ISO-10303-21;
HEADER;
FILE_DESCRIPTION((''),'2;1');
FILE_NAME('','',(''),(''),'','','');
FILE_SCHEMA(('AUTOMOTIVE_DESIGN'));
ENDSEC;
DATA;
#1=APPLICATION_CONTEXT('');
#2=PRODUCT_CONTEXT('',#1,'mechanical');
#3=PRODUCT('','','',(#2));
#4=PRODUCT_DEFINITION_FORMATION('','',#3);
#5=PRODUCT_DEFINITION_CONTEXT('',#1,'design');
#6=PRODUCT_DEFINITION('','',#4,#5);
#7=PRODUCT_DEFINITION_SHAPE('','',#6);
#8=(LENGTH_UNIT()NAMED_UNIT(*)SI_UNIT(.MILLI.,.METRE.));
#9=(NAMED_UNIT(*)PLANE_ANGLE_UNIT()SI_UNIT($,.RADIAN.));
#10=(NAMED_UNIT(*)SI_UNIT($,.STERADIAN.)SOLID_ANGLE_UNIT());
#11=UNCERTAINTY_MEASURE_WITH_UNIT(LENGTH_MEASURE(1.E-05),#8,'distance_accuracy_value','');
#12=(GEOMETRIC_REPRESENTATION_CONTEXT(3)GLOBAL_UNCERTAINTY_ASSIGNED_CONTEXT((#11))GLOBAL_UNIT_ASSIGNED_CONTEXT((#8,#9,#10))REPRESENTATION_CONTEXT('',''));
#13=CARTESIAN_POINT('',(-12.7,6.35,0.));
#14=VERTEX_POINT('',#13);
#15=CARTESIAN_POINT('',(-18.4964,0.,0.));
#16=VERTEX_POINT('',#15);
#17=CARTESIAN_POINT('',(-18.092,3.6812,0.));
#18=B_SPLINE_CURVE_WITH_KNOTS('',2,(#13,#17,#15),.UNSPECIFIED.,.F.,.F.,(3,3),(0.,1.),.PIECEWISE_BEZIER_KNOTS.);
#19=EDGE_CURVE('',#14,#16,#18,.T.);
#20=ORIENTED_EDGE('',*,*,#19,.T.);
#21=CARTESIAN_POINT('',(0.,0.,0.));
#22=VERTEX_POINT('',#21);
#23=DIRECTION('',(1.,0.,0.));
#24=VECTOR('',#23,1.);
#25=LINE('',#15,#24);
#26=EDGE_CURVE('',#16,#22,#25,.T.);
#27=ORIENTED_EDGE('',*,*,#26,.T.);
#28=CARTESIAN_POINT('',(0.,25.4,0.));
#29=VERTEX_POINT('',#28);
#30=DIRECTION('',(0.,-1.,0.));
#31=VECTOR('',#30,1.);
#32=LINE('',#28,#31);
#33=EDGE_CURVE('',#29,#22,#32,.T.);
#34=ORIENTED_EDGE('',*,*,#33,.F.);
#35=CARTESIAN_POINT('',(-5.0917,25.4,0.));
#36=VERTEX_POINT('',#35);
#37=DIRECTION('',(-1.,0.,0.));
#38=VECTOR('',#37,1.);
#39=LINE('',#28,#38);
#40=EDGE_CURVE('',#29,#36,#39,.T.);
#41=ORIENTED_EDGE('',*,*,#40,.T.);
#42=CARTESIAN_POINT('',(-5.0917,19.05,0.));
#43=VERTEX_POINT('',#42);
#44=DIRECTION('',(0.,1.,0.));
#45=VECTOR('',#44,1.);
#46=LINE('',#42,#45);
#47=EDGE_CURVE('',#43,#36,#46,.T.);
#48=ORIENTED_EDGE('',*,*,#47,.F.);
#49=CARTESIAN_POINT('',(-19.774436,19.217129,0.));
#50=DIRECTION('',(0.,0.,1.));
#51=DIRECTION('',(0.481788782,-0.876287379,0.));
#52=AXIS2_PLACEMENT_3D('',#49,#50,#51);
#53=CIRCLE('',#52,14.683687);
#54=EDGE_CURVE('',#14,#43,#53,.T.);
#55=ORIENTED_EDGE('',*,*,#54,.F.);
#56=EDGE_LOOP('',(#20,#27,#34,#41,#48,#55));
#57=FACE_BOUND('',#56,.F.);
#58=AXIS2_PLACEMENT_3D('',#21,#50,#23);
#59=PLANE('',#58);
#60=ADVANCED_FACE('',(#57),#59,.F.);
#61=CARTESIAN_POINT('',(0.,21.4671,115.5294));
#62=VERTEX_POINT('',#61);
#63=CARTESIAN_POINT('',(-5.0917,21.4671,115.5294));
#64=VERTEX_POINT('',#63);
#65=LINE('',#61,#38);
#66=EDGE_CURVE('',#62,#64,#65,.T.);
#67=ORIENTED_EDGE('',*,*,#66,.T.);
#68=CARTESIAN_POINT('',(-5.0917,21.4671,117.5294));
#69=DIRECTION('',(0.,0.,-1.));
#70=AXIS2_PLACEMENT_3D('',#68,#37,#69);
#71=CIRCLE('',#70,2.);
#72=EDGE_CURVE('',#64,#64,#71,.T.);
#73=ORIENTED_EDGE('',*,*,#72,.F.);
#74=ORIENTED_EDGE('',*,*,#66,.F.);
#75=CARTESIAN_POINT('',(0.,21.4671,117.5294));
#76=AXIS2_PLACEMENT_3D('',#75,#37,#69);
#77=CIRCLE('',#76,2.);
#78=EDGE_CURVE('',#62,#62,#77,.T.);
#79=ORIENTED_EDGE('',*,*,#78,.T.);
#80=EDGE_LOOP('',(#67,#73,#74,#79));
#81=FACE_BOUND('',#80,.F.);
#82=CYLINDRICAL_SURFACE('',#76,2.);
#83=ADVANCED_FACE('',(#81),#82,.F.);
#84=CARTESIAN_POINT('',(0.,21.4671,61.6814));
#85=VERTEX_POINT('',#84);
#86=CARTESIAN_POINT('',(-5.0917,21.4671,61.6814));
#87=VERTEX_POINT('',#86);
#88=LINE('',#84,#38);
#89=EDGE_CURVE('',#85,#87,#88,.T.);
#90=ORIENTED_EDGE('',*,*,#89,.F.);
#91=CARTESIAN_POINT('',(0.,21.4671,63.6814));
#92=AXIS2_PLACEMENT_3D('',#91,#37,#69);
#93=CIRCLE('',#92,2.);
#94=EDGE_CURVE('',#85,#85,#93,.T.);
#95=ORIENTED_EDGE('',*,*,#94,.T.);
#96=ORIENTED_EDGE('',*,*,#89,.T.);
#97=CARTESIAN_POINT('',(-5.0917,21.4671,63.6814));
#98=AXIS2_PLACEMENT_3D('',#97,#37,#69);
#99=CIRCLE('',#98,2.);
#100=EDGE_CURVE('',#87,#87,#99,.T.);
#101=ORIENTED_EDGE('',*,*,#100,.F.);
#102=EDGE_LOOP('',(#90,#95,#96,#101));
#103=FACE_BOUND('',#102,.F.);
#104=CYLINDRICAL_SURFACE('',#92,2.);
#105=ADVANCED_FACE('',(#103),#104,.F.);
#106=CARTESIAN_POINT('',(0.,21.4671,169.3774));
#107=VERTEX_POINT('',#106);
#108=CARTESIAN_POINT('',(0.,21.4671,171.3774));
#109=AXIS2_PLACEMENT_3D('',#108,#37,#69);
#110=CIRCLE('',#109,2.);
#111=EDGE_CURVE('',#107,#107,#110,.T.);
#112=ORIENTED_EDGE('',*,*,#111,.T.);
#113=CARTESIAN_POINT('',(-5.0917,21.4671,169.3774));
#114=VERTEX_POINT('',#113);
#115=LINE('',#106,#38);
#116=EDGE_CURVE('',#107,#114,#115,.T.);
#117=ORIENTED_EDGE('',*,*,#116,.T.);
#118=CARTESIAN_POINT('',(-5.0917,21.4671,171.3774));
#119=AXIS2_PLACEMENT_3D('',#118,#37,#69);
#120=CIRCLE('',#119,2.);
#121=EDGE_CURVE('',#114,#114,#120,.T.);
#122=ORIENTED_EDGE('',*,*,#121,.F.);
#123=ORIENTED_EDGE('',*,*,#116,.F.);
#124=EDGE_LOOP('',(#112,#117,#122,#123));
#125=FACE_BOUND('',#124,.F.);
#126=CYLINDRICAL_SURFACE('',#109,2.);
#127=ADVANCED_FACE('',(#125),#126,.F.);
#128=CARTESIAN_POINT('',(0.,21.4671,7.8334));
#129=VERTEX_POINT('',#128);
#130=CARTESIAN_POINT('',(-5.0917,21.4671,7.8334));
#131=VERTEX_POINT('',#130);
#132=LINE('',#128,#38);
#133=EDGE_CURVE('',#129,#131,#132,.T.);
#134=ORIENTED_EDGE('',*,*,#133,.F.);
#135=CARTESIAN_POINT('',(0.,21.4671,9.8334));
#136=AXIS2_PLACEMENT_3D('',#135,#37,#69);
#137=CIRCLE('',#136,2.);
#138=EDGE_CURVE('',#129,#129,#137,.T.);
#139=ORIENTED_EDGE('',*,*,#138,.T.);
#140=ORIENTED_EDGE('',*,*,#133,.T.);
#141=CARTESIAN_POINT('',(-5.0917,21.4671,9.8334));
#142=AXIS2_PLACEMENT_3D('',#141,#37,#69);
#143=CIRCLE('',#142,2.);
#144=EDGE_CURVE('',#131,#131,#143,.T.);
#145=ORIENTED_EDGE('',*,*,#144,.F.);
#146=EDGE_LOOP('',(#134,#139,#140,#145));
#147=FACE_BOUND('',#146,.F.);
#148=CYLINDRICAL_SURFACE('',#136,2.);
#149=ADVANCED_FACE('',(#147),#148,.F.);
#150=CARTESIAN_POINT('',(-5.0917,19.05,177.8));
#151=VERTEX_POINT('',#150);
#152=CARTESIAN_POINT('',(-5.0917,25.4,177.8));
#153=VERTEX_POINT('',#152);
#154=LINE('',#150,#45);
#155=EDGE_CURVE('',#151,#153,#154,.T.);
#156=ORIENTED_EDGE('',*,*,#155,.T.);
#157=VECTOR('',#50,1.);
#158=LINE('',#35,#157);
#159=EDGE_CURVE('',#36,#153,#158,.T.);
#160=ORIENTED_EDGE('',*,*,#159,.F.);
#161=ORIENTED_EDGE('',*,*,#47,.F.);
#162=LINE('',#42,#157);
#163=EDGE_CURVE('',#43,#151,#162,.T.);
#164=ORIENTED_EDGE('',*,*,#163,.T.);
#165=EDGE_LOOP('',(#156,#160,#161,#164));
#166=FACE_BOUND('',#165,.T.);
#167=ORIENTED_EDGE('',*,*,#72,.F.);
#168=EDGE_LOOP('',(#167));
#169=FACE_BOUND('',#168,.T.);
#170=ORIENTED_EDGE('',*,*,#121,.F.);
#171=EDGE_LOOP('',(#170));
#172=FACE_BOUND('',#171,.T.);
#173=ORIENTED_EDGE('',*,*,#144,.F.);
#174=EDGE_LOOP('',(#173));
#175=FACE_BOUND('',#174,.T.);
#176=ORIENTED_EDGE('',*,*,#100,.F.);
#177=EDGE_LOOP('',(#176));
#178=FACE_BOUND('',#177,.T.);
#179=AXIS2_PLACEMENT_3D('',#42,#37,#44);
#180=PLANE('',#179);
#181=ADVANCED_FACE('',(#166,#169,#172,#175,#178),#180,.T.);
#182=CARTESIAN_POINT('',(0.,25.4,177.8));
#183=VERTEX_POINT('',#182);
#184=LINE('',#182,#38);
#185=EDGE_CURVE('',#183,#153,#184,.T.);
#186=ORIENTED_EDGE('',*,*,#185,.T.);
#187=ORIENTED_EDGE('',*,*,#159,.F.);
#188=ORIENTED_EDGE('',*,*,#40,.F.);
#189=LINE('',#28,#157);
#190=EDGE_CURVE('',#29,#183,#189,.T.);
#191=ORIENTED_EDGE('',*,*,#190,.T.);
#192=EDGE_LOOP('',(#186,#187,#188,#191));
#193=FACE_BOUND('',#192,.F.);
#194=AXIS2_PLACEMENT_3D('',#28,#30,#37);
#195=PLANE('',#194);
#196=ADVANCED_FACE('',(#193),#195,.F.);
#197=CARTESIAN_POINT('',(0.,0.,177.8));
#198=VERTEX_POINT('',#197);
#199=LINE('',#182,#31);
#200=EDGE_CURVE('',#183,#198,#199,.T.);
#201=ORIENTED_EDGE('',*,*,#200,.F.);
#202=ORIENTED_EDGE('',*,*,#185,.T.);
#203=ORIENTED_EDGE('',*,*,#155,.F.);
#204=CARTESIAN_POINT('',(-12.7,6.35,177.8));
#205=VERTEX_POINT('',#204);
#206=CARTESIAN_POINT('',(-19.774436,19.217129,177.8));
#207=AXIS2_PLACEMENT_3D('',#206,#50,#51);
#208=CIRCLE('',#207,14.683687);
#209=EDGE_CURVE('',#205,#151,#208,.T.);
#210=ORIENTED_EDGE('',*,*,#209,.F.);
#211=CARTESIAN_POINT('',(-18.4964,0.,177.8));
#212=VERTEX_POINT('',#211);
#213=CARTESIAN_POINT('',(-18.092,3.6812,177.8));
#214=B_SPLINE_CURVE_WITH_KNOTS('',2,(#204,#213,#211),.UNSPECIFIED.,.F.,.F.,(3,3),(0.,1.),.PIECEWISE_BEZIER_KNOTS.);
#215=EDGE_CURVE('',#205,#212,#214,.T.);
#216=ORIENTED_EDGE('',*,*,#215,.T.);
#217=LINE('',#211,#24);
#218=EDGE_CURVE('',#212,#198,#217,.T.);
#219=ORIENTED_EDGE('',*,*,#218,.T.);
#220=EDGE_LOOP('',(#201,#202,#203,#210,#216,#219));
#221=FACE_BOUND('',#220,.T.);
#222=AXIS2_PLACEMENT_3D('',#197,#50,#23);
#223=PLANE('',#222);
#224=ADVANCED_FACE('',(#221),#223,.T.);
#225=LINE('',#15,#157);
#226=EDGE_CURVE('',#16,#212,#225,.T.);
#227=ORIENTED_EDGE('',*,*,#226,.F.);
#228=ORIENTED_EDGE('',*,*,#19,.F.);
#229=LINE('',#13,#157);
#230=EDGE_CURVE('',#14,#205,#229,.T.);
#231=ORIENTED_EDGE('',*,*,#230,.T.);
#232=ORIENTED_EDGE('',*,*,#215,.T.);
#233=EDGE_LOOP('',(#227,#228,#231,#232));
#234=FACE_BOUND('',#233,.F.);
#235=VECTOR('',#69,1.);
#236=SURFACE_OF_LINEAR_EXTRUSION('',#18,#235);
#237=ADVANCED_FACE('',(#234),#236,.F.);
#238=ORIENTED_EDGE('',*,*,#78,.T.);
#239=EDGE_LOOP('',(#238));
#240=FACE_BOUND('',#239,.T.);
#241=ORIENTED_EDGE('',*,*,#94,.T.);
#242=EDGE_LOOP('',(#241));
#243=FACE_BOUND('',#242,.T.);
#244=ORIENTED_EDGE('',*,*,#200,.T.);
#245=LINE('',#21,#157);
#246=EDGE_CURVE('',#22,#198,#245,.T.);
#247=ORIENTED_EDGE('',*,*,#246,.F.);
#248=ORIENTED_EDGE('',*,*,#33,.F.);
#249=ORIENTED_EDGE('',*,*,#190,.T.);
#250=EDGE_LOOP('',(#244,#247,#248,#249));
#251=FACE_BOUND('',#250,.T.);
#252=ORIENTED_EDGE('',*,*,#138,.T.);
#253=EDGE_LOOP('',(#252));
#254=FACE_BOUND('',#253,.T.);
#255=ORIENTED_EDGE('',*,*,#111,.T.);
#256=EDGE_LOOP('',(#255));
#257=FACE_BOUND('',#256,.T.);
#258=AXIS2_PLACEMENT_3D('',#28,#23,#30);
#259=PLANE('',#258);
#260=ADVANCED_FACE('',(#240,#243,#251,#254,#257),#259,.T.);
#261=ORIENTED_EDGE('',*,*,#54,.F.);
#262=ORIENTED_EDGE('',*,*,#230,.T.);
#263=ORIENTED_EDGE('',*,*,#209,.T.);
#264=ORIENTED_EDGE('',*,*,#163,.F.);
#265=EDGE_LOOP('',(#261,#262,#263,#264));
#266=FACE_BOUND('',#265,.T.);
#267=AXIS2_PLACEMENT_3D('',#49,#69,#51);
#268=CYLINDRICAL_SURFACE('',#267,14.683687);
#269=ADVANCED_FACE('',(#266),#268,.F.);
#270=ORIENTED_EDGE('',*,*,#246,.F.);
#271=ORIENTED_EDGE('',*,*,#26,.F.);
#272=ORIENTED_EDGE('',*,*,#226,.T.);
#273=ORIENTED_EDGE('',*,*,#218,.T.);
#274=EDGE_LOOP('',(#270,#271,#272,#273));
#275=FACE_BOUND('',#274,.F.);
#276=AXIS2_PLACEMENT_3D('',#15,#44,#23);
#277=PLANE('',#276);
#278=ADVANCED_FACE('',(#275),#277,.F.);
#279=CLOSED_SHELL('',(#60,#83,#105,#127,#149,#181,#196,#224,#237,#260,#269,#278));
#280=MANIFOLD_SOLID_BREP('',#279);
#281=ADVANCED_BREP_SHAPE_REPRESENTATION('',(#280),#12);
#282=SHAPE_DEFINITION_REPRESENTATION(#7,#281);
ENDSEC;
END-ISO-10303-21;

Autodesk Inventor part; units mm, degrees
ref_plane "YZ Plane" through (0, 0, 0) normal (1, 0, 0) x (0, 1, 0)
ref_plane "XZ Plane" through (0, 0, 0) normal (0, 1, 0) x (-1, 0, 0)
ref_plane "XY Plane" through (0, 0, 0) normal (0, 0, 1) x (1, 0, 0)
sketch "Sketch1" plane through (0, 0, 0) normal (0, 0, 1) x (1, 0, 0)
  line L0 (-5.0917, 19.05) -> (-5.0917, 25.4)
  line L1 (0, 25.4) -> (-5.0917, 25.4)
  line L2 (-18.4964, 0) -> (0, 0)
  line L3 (0, 25.4) -> (0, 0)
  arc A0 (-12.7, 6.35) -> (-5.0917, 19.05) centre (-19.7746, 19.2173) ccw
  spline S0 degree 2 poles (-12.7, 6.35) (-18.092, 3.6812) (-18.4964, 0) knots 0 0 0 1 1 1
  point P0 (-17.2168, 2.9909)
  dimension "d1" = 6.35
  dimension "d7" = 25.4
  dimension "d8" = 18.4964
extrude "Extrusion1" add sketch "Sketch1" along normal blind 177.8
hole "Hole1" at (0, 21.4671, 171.3774) direction (-1, 0, 0) diameter 4 end through all
pattern_linear "Rectangular Pattern1" count 4 spacing 53.848 along (0, 0, -1) of "Hole1"
properties part number "Intake inclined edge bottom"
